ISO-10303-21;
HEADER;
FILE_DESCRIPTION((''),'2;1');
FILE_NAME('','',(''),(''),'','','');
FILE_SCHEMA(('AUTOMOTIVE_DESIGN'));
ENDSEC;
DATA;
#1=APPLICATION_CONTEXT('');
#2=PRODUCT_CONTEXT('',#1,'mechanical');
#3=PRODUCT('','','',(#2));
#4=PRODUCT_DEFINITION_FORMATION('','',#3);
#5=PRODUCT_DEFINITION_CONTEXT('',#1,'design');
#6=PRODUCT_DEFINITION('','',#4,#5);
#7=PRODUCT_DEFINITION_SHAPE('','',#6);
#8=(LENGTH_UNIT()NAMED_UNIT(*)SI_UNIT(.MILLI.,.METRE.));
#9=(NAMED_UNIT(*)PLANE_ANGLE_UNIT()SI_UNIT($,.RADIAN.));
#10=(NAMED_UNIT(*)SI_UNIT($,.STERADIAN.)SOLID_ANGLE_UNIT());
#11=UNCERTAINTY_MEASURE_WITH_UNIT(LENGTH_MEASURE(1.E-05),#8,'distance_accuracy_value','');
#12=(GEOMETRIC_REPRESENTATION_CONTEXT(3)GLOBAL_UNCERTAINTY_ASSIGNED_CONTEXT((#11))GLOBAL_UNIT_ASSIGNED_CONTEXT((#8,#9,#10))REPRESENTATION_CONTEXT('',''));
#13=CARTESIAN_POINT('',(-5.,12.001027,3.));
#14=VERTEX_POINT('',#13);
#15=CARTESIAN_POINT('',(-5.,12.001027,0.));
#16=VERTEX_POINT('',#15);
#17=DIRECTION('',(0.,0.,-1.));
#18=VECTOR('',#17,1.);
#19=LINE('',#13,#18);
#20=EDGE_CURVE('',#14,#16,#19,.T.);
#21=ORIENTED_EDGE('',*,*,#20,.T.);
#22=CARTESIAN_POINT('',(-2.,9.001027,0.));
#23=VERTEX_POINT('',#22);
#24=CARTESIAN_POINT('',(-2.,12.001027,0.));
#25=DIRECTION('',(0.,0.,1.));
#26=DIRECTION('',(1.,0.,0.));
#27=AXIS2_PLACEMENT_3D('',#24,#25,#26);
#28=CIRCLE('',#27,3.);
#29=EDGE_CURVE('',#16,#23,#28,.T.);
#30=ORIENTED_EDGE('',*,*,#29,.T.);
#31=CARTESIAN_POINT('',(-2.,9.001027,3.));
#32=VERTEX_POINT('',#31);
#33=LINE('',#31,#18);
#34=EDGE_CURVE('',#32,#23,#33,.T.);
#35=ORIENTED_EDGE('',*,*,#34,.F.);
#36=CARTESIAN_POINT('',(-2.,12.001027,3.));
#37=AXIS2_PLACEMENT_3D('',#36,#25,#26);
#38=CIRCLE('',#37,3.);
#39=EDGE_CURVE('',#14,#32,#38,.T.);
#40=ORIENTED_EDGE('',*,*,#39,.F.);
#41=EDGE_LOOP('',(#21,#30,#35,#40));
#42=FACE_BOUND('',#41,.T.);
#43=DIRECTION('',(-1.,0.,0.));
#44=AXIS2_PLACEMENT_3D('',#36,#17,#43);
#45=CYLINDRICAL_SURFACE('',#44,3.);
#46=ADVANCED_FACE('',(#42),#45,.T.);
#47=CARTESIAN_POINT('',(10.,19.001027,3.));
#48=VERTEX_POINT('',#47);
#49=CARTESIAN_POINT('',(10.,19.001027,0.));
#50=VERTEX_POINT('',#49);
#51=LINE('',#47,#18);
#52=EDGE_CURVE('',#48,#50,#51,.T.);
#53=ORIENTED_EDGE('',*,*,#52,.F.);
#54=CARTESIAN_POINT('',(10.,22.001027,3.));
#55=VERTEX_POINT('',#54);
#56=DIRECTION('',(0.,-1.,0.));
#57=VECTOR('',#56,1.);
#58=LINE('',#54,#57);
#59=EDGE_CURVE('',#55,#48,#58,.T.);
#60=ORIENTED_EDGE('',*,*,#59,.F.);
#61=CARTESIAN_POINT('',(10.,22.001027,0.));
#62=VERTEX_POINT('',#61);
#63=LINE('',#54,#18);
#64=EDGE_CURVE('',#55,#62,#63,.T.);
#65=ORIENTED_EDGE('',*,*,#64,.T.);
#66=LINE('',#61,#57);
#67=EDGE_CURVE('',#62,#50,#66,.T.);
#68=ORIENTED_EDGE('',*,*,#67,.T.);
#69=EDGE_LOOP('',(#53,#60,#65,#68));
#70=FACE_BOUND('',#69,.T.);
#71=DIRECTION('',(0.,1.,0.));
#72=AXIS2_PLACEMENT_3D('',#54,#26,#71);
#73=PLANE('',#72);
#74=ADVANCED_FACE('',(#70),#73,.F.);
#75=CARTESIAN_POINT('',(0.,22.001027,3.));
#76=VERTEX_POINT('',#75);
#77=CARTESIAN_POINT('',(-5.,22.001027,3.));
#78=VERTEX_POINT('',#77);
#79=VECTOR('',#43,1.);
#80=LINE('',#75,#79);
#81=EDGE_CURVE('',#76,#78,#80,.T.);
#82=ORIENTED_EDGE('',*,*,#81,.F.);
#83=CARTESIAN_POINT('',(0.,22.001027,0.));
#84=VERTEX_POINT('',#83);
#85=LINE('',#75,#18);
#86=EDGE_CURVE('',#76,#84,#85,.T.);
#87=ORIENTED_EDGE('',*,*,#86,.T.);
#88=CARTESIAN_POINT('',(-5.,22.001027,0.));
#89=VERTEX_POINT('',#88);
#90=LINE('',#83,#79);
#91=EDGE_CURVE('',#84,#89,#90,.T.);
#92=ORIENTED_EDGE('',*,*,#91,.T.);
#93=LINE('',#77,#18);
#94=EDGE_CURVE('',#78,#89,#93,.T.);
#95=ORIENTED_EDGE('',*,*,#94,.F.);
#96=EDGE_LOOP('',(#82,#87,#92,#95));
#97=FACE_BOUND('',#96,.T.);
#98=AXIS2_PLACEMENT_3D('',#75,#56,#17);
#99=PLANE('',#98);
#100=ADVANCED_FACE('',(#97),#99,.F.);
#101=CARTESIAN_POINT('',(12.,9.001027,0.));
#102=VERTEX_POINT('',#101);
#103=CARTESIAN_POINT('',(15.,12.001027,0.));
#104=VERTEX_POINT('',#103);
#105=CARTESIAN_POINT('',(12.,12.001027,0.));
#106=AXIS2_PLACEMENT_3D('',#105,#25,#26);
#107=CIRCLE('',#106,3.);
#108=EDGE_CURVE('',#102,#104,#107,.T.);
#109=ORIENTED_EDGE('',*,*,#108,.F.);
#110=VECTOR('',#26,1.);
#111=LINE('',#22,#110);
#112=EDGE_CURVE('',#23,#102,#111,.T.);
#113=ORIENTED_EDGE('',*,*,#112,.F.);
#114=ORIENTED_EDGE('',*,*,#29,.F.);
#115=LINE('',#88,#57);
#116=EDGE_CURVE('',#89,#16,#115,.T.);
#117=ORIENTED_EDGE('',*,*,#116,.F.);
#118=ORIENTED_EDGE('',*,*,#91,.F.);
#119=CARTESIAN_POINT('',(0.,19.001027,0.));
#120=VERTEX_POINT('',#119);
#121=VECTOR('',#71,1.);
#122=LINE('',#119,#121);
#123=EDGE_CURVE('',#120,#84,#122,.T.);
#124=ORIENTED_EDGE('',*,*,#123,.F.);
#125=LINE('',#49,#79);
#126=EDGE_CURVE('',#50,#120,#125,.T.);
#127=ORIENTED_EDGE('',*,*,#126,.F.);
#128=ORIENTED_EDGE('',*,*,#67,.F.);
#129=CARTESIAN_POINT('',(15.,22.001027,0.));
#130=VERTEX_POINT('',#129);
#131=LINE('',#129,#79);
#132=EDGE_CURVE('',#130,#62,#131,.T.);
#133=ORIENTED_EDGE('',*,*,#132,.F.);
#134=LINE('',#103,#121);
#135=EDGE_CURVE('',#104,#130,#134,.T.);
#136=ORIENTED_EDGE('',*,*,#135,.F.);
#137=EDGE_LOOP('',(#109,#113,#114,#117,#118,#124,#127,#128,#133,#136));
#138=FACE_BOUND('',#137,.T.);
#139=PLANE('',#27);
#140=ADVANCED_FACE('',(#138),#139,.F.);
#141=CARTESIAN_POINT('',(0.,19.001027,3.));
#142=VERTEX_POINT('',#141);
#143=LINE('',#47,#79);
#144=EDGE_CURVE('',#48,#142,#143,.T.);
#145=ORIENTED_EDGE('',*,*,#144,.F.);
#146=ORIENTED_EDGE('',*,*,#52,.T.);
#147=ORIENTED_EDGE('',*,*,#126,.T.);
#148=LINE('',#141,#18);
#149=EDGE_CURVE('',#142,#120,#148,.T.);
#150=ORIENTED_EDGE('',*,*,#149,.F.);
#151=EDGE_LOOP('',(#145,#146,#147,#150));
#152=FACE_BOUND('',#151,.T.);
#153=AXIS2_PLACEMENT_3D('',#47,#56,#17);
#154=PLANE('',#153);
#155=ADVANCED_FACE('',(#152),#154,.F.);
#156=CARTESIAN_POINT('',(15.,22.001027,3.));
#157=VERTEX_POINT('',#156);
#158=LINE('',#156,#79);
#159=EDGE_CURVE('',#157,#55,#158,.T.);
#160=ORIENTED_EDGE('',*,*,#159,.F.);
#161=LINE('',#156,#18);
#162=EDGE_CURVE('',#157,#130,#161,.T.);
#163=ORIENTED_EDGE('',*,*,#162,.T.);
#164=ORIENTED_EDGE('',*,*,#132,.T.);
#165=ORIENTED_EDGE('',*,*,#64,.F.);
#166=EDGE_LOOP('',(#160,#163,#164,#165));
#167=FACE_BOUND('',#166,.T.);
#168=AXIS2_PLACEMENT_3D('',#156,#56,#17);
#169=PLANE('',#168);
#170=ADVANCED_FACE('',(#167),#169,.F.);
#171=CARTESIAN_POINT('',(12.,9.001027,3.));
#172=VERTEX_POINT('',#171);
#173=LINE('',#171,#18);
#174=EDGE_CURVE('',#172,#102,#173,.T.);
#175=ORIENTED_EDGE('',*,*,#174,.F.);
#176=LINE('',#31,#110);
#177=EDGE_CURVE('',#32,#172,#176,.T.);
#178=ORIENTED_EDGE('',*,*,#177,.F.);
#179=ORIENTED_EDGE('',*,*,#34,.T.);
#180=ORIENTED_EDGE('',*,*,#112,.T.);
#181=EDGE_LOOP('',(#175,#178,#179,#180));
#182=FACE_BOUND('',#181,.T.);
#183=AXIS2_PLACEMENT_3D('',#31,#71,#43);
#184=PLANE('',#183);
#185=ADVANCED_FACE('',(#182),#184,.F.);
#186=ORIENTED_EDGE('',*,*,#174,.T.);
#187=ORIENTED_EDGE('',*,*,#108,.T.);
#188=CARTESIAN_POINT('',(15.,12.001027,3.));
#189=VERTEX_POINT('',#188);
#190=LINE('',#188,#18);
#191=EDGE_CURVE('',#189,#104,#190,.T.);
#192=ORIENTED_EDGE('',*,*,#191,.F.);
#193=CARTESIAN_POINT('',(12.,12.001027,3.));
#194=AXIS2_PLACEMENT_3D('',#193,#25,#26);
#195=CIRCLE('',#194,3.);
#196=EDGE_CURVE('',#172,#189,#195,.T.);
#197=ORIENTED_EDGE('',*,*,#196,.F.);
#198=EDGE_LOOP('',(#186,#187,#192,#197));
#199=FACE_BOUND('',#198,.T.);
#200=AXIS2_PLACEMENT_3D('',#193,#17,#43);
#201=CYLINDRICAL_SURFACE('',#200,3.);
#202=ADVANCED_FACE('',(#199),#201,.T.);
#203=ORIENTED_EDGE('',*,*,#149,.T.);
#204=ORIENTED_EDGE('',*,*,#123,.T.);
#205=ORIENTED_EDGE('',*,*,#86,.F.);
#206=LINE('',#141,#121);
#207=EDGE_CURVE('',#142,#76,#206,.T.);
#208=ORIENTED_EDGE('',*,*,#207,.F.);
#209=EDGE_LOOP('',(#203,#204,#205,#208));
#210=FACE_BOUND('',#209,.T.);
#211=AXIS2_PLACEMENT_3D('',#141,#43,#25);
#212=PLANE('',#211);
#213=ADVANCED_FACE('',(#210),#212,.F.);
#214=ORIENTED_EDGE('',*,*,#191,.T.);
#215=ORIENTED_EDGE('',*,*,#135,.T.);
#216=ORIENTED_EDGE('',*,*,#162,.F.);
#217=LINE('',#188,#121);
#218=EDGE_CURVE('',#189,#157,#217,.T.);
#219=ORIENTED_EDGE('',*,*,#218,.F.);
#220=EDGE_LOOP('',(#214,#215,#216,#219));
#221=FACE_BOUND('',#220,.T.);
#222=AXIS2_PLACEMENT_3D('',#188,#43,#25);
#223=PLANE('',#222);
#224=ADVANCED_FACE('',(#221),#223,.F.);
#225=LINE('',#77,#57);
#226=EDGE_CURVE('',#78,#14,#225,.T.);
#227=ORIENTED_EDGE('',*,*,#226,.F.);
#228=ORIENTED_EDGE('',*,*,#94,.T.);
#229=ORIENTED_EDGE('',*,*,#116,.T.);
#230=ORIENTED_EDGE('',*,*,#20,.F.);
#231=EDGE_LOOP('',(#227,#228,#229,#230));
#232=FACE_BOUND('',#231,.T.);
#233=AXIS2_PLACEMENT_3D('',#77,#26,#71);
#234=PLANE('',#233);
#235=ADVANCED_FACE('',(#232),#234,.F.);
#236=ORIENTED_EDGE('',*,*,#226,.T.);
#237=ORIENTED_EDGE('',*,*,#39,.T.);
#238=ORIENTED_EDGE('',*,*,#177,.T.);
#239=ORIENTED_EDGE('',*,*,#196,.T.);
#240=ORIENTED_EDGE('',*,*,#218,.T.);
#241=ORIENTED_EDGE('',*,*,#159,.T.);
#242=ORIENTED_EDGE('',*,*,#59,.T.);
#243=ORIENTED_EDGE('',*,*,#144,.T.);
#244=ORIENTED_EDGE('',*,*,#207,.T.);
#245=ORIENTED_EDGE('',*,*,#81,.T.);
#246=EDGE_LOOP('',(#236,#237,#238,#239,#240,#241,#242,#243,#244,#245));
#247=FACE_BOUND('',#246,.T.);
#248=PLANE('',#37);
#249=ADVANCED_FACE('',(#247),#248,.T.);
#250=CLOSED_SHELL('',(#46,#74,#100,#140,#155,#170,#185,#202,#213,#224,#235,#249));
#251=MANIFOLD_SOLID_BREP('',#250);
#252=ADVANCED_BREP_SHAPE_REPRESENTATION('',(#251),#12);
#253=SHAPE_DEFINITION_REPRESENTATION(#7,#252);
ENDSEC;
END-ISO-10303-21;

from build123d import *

# Parameters (mm, degrees)
SALIENTE_EXTRUIR1_DEPTH = 3


with BuildPart() as part:
    # Croquis1 → Saliente-Extruir1 (new body)
    with BuildSketch(Plane.XY):
        with BuildLine():
            Line((0, 22.001027223), (-5, 22.001027223))
            Line((-5, 22.001027223), (-5, 12.001027223))
            ThreePointArc((-5, 12.001027223), (-4.121320344, 9.87970688), (-2, 9.001027223))
            Line((-2, 9.001027223), (12, 9.001027223))
            ThreePointArc((12, 9.001027223), (14.121320344, 9.87970688), (15, 12.001027223))
            Line((15, 12.001027223), (15, 22.001027223))
            Line((15, 22.001027223), (10, 22.001027223))
            Line((10, 22.001027223), (10, 19.001027223))
            Line((10, 19.001027223), (0, 19.001027223))
            Line((0, 19.001027223), (0, 22.001027223))
        make_face()
    extrude(amount=SALIENTE_EXTRUIR1_DEPTH)


solid = part.part
